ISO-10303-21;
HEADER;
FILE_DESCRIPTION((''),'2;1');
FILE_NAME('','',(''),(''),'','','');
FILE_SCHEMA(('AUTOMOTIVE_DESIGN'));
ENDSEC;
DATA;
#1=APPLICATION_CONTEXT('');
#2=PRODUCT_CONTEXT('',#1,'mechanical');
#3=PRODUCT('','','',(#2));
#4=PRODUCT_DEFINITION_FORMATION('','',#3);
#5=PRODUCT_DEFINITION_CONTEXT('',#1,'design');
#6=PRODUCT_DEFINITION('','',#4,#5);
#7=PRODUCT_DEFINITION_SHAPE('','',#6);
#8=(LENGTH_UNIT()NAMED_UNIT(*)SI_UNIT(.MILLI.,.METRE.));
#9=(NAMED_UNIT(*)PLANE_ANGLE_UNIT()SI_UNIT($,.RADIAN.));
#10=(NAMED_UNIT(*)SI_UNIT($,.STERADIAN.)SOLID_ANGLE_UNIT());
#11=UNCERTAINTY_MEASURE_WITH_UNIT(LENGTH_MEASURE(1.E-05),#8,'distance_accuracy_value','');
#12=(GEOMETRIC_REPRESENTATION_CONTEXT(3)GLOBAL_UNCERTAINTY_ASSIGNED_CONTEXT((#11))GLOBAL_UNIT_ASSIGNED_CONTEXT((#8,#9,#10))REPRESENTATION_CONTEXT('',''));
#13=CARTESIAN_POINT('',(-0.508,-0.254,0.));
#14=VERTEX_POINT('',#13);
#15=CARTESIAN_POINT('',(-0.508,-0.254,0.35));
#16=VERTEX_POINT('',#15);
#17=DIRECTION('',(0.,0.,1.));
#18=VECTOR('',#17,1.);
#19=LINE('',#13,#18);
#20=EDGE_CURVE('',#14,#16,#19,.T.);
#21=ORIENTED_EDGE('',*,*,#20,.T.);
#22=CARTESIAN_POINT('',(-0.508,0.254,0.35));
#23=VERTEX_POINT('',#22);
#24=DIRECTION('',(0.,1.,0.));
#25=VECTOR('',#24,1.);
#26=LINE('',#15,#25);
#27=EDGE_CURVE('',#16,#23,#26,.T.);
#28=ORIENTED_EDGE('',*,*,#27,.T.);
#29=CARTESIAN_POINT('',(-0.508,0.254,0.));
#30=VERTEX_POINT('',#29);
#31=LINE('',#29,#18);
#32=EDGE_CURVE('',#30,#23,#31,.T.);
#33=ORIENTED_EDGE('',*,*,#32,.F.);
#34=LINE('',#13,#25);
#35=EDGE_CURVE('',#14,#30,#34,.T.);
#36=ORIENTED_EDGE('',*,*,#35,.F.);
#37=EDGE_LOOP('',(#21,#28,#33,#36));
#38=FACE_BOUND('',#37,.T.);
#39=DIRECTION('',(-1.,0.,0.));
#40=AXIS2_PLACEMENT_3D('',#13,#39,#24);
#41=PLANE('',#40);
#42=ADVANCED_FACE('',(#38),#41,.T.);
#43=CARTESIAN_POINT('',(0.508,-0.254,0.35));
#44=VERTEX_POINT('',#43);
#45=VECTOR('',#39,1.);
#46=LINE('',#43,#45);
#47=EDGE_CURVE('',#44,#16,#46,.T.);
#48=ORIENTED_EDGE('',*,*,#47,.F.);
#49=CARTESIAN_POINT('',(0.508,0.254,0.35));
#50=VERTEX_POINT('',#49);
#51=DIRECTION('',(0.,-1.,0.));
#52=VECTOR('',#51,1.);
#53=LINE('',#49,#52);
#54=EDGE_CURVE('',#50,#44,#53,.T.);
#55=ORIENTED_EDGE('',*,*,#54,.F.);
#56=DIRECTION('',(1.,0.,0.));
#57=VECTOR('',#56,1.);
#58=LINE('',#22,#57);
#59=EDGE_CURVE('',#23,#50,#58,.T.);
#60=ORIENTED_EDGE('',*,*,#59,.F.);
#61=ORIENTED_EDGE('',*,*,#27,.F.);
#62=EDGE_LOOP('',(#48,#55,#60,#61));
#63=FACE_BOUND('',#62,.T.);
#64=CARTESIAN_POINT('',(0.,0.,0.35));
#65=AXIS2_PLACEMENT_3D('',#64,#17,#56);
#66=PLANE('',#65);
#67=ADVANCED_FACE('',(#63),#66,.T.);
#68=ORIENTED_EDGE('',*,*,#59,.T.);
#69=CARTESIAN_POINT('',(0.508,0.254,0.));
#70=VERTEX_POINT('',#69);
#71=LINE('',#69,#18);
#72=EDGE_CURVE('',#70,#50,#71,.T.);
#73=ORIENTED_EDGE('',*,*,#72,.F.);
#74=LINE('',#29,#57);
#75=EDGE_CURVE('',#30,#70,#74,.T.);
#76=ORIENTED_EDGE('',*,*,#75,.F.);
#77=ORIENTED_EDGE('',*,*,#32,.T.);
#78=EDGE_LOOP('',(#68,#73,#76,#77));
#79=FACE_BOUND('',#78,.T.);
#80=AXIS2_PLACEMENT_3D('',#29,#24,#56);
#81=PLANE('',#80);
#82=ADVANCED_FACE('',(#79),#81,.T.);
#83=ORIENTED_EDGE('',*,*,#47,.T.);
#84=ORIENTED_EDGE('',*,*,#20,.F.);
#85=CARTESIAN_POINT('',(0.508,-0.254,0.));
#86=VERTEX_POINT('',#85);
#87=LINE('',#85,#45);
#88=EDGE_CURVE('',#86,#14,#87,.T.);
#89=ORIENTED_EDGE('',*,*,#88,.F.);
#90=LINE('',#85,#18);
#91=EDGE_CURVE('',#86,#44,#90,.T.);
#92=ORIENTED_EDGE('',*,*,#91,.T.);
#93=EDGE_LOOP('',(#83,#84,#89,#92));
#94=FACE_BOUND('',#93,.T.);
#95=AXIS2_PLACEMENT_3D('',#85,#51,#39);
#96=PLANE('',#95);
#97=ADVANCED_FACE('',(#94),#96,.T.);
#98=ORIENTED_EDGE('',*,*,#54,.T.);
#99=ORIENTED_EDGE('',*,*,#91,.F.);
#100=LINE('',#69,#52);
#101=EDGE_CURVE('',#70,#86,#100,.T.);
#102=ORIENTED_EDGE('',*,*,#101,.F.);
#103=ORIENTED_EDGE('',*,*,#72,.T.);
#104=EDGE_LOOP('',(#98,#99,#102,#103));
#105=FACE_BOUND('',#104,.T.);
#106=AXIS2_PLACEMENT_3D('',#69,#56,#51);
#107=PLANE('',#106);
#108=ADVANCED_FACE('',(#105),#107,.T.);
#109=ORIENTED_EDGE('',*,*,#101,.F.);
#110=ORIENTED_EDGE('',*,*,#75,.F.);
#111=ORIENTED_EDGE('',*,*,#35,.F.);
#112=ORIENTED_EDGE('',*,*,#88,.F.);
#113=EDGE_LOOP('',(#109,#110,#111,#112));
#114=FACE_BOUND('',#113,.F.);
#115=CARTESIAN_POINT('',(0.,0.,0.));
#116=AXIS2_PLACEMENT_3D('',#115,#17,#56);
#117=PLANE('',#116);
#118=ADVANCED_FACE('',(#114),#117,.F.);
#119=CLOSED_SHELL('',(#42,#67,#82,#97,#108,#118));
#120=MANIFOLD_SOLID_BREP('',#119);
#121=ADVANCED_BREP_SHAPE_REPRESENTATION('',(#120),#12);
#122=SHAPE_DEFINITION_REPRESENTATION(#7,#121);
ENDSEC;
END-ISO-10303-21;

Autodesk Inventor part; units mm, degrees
ref_plane "YZ Plane" through (0, 0, 0) normal (1, 0, 0) x (0, 1, 0)
ref_plane "XZ Plane" through (0, 0, 0) normal (0, 1, 0) x (-1, 0, 0)
ref_plane "XY Plane" through (0, 0, 0) normal (0, 0, 1) x (1, 0, 0)
sketch "R0402, 22r_186" plane through (0, 0, 0) normal (0, 0, 1) x (1, 0, 0)
  line L0 (0.508, -0.254) -> (-0.508, -0.254)
  line L1 (-0.508, -0.254) -> (-0.508, 0.254)
  line L2 (-0.508, 0.254) -> (0.508, 0.254)
  line L3 (0.508, 0.254) -> (0.508, -0.254)
extrude "Extrusion1" add sketch "R0402, 22r_186" along normal blind 0.35
properties part number "22r"
